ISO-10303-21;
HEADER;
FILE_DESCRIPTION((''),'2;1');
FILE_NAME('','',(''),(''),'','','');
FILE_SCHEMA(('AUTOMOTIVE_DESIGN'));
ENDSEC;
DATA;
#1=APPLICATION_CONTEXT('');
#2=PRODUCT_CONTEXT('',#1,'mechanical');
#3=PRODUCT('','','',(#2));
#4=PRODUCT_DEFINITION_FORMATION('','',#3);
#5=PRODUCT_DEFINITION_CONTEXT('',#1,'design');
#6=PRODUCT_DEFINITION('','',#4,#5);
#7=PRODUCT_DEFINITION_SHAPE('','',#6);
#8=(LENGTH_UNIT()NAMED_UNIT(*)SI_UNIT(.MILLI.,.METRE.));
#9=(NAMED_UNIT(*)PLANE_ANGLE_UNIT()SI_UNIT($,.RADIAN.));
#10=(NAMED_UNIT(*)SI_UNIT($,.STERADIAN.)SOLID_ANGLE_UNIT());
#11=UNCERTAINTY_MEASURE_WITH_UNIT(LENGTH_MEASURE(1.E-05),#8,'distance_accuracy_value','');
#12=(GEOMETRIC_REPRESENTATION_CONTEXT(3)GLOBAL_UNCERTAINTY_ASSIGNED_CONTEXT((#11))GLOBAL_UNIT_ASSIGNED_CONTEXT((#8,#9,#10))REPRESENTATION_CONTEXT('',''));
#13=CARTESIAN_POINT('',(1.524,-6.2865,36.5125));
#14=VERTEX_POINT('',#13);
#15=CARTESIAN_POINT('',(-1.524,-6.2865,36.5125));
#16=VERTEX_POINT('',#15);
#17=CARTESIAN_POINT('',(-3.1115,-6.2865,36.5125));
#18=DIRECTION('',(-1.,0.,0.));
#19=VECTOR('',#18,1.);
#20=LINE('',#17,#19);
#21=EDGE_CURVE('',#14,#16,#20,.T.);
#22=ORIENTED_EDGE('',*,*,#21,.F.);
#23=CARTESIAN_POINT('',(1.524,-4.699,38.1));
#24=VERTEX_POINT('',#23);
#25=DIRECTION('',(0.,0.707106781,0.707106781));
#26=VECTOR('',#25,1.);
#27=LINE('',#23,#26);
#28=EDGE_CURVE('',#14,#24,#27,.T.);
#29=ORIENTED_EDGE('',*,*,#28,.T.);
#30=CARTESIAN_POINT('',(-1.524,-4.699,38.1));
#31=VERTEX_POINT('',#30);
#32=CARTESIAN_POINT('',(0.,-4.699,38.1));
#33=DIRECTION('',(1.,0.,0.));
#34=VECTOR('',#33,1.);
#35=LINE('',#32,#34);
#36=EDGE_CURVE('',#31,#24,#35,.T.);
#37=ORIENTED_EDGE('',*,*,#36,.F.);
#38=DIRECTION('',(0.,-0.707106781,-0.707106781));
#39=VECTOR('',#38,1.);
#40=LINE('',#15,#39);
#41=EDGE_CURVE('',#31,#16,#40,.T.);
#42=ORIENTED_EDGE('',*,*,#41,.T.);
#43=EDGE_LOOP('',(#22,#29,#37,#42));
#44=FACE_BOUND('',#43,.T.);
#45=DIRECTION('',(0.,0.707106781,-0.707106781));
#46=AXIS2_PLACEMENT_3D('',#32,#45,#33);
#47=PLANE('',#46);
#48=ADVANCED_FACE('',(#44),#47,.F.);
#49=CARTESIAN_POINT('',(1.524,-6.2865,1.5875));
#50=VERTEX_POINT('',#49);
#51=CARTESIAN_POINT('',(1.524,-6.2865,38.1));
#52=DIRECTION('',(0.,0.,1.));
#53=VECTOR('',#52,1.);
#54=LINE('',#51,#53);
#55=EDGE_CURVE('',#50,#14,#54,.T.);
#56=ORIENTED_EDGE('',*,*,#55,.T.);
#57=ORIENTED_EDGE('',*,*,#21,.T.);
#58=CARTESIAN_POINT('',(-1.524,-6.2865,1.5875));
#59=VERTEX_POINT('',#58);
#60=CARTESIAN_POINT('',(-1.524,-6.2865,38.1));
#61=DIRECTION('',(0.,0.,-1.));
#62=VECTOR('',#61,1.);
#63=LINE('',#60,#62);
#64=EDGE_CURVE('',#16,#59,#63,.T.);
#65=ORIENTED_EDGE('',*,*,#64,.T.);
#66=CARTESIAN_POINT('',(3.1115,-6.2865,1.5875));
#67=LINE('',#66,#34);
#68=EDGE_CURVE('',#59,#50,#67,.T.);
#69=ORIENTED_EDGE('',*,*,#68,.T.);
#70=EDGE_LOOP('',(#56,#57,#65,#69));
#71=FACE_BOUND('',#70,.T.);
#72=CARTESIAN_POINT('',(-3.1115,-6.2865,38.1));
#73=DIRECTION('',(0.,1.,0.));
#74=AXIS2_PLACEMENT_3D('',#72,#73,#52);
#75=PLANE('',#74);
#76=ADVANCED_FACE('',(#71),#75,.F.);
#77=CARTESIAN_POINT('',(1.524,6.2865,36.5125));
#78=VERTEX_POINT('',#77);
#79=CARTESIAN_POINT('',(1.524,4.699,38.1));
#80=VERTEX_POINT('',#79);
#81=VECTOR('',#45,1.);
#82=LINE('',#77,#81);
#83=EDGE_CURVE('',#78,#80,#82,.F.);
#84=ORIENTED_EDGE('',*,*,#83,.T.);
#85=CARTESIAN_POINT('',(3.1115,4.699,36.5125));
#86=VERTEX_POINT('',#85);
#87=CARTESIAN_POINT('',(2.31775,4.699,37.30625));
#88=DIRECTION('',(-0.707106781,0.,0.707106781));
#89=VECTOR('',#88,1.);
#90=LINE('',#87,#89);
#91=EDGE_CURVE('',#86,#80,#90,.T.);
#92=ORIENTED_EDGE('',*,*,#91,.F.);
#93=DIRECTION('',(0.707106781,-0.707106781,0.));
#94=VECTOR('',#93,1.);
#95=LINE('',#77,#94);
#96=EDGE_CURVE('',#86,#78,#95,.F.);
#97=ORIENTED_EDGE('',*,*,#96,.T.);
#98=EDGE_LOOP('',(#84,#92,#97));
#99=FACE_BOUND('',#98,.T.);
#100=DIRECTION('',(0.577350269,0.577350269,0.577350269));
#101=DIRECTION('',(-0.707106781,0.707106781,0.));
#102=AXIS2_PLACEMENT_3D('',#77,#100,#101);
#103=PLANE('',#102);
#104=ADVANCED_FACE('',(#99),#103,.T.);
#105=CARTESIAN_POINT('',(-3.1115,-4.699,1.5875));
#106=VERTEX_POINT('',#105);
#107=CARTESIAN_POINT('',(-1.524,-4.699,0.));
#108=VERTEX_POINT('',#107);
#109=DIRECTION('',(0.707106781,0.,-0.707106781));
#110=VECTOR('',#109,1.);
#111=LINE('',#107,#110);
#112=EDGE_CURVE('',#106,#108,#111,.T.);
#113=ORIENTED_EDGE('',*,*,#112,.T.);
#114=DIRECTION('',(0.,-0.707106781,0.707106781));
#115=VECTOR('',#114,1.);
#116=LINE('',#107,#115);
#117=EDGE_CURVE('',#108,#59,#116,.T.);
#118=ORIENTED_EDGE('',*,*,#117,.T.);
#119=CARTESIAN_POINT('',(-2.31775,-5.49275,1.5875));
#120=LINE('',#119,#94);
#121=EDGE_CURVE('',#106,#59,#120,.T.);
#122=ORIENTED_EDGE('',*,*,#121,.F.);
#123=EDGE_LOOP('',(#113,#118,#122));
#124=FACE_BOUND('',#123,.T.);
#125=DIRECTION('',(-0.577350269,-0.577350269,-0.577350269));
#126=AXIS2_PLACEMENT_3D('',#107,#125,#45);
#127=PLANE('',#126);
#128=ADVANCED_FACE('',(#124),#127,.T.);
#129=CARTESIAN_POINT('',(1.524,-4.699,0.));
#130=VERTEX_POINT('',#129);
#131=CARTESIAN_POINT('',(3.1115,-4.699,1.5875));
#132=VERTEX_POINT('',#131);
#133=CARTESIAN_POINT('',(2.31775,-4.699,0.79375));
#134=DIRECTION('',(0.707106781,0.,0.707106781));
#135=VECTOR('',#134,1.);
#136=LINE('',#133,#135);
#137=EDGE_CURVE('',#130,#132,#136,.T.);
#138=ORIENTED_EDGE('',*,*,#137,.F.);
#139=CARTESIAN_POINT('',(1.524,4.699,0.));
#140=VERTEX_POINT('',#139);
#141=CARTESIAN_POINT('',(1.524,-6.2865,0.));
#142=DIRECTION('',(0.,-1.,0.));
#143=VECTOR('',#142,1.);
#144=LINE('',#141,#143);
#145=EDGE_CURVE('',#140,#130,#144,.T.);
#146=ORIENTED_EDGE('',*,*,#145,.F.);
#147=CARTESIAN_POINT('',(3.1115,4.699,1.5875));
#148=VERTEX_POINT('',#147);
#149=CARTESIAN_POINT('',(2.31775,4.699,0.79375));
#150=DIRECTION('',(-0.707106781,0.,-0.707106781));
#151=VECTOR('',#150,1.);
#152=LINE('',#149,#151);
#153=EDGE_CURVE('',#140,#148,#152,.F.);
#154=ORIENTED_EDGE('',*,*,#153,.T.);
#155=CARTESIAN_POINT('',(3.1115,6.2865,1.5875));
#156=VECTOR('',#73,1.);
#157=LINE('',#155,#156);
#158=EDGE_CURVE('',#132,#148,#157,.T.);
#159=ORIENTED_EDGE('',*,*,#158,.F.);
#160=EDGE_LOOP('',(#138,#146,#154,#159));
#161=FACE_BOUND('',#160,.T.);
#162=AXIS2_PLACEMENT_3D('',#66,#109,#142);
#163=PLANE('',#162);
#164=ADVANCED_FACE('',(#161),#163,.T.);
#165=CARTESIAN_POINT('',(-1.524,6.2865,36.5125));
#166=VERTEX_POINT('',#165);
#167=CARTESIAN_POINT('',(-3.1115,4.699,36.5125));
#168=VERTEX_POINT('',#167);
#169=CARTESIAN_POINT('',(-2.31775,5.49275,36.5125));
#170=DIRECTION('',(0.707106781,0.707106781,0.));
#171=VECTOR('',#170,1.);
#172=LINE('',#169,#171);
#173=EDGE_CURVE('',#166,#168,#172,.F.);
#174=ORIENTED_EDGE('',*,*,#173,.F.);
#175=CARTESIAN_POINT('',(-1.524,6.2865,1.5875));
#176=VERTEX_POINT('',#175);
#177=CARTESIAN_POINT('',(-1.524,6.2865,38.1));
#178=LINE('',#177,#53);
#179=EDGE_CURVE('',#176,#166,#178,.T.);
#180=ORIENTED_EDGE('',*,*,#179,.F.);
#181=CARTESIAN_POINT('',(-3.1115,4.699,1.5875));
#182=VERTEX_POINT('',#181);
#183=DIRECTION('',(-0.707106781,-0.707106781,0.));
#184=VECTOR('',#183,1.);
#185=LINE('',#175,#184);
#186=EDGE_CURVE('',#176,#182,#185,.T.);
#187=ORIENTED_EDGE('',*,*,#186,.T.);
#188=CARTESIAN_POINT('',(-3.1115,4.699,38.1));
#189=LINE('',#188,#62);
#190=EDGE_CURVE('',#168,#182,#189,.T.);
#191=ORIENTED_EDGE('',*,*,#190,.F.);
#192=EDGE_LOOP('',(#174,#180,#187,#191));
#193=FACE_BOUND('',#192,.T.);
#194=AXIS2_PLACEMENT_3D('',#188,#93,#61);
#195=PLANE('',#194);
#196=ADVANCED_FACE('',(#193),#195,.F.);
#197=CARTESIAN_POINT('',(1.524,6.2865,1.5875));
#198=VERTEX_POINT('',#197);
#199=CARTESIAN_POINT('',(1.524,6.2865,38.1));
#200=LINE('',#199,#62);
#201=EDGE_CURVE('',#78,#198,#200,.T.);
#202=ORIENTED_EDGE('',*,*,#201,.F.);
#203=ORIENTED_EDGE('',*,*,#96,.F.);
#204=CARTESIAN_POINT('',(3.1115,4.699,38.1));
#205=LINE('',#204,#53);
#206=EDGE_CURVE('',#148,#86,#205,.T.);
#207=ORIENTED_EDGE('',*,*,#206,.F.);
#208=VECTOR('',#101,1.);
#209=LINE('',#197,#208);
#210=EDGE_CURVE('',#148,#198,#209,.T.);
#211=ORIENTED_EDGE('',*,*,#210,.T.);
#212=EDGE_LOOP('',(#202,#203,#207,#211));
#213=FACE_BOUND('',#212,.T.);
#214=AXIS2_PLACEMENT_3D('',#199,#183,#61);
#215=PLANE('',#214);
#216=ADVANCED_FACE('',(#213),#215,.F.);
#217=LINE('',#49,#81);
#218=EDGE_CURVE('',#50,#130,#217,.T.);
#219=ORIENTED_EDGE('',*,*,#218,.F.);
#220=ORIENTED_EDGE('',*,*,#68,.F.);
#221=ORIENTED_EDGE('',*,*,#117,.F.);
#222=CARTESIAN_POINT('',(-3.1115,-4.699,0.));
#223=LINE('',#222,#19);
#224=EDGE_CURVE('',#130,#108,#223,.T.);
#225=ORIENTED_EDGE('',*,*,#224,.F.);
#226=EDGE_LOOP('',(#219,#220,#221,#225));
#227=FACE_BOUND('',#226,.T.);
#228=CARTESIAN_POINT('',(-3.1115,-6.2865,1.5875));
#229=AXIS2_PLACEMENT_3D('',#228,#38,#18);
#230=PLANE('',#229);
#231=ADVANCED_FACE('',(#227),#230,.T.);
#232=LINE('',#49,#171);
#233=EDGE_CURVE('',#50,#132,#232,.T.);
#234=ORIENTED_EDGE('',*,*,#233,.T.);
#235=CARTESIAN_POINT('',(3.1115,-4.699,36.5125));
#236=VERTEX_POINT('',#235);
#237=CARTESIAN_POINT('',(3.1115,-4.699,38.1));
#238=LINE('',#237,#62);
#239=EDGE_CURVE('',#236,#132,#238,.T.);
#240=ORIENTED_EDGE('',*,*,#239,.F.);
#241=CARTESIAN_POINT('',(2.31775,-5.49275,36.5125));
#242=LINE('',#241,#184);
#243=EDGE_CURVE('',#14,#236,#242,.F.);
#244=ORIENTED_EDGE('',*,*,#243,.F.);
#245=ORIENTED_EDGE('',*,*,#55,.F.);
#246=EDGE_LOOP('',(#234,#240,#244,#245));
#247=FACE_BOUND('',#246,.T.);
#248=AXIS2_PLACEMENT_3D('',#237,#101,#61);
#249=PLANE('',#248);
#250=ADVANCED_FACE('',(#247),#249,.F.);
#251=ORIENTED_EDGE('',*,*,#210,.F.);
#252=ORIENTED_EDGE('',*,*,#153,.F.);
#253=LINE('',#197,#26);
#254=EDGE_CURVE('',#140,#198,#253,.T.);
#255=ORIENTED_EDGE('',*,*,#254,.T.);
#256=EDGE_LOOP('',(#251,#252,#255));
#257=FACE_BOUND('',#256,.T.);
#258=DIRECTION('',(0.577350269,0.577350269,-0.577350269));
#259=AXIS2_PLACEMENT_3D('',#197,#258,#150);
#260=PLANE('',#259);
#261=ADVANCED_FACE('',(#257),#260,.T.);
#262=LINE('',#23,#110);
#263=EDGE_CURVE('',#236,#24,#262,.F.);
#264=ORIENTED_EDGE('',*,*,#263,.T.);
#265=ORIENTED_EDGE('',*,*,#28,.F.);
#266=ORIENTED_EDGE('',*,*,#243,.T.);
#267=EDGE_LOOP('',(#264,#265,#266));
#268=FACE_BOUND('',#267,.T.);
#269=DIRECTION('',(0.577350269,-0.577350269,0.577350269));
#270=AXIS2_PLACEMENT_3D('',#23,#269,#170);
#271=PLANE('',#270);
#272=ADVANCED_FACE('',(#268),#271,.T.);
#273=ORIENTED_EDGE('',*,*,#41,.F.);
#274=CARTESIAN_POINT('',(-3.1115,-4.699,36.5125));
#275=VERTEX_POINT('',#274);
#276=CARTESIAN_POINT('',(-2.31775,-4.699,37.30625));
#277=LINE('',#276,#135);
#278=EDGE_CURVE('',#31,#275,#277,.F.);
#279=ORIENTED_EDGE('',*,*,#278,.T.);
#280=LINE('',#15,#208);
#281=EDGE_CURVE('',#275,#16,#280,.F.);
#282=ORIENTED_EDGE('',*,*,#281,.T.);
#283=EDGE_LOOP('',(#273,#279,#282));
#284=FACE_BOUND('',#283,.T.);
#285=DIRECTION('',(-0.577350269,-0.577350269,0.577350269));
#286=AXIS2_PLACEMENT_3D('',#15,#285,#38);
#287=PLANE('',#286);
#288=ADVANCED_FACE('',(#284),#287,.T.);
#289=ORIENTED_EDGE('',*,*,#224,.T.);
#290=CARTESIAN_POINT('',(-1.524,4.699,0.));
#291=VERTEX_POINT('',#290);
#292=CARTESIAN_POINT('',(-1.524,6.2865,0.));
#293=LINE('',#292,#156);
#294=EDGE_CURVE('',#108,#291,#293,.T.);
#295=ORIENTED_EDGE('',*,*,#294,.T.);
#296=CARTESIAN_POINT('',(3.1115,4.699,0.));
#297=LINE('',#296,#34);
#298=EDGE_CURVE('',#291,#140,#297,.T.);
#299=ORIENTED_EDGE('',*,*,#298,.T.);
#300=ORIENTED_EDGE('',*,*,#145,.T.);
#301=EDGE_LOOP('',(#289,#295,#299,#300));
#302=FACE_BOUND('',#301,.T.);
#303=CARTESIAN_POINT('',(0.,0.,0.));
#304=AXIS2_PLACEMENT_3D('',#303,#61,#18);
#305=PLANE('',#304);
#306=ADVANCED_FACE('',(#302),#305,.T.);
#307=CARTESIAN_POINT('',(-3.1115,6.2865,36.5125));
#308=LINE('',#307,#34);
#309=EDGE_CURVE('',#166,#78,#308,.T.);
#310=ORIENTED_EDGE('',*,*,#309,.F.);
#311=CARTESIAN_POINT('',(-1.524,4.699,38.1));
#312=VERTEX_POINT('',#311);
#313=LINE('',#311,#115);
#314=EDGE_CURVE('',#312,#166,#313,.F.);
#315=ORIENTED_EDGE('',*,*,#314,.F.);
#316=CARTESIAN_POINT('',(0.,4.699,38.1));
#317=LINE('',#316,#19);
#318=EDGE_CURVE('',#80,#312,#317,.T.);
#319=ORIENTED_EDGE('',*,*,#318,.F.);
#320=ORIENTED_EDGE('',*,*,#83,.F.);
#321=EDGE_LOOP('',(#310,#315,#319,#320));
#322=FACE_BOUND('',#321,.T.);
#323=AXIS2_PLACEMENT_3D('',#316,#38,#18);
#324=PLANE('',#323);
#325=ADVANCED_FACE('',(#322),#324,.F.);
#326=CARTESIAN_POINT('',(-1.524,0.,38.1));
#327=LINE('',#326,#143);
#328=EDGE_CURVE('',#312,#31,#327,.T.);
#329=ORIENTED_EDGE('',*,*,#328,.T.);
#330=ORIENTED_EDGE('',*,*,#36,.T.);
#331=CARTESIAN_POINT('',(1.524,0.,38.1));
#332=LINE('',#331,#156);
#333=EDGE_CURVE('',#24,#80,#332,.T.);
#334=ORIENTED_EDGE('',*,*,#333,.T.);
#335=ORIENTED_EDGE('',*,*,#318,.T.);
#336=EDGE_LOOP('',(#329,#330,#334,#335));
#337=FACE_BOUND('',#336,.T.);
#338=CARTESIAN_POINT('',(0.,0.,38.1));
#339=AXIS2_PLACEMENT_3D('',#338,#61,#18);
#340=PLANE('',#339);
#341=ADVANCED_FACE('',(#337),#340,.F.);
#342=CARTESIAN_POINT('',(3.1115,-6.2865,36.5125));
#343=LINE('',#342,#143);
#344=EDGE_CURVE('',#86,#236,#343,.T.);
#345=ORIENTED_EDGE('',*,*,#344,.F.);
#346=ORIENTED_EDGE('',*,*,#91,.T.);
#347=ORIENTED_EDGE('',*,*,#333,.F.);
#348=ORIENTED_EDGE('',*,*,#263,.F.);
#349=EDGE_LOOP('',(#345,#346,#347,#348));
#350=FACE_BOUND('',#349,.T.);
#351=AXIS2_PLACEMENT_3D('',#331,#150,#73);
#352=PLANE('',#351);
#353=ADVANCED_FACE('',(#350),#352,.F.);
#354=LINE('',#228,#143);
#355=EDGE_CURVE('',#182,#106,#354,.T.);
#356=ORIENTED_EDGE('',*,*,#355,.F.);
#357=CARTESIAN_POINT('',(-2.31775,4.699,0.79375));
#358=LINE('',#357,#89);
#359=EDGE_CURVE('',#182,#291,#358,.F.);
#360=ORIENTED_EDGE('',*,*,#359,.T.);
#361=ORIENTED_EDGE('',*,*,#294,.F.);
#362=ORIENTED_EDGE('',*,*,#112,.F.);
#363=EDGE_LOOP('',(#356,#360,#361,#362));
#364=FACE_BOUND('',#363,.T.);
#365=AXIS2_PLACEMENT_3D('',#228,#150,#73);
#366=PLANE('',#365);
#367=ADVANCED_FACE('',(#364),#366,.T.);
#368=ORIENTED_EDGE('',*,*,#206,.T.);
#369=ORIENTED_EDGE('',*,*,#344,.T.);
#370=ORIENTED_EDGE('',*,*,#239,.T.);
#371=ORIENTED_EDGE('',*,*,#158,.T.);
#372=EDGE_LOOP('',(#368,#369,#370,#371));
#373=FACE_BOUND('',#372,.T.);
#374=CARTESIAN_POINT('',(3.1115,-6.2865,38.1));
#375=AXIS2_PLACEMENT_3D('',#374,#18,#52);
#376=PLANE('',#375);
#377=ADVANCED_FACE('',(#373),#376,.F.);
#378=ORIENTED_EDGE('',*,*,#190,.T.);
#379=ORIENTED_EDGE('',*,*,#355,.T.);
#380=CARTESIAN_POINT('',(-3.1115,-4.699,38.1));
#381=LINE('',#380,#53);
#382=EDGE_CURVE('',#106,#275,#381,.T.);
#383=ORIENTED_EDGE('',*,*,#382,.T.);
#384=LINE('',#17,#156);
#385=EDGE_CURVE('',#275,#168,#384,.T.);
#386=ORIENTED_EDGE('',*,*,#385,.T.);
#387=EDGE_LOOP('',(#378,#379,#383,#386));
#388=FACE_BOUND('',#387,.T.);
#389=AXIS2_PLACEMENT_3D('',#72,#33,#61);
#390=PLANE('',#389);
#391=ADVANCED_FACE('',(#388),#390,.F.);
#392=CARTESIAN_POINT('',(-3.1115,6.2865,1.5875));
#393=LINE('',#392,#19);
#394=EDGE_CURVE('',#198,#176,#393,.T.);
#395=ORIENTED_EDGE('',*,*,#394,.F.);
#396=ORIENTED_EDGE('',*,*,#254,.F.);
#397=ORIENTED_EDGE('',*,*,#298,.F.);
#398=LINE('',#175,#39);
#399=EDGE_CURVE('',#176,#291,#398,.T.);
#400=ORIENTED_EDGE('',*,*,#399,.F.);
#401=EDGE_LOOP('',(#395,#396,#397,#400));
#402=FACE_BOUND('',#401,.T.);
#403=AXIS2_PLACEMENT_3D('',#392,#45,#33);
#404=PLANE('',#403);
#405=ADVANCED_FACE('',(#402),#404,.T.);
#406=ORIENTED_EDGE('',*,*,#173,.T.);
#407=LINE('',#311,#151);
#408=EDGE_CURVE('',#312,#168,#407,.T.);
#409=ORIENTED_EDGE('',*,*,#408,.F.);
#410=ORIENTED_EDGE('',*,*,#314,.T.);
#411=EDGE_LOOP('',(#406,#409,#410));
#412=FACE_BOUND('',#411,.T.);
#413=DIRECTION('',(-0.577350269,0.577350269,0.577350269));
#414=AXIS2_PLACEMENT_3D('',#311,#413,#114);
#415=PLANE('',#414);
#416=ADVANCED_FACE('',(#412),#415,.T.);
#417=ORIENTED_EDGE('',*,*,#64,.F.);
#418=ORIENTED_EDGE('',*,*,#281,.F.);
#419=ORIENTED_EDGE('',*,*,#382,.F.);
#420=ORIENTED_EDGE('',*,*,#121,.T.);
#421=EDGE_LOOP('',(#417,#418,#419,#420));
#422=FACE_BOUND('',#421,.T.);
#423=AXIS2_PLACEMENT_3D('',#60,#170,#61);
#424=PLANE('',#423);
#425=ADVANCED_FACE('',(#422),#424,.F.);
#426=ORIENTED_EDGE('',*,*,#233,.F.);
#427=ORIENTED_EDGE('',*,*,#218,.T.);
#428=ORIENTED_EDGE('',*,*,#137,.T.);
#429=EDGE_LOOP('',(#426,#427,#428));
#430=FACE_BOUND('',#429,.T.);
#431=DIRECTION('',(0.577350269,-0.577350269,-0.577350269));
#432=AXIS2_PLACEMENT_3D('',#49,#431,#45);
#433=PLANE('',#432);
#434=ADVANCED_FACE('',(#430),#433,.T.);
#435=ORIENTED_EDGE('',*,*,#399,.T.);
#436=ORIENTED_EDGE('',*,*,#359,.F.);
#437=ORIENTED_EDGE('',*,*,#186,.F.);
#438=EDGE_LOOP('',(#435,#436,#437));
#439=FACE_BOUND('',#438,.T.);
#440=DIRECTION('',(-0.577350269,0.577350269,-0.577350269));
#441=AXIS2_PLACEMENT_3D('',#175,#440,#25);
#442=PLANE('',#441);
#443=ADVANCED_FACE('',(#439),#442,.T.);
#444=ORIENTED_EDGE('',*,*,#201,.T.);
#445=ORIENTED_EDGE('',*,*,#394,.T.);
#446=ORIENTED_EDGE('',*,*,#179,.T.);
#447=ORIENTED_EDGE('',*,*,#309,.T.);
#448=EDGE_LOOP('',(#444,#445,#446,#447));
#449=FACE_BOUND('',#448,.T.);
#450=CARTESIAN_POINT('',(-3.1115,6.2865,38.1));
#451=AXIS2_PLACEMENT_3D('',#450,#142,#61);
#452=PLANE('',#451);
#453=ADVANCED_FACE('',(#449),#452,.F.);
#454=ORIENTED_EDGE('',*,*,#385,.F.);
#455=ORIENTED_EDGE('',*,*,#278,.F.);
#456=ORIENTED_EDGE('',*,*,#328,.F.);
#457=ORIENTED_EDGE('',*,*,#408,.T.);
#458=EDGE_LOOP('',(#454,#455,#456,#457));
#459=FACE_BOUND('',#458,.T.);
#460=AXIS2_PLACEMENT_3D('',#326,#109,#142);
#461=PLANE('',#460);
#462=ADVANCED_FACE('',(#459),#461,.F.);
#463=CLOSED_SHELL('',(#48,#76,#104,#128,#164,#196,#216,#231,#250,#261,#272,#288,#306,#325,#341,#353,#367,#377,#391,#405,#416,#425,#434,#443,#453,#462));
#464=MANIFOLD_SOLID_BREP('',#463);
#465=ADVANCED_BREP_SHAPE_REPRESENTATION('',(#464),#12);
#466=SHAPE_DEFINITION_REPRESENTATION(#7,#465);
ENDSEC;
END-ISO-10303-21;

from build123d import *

# Parameters (mm, degrees)
SKETCH5_W           = 6.223
SKETCH5_H           = 12.573
BOSS_EXTRUDE3_DEPTH = 38.1
CHAMFER1_SIZE       = 1.5875


with BuildPart() as part:
    # Sketch5 → Boss-Extrude3 (new body)
    with BuildSketch(Plane.XY):
        Rectangle(SKETCH5_W, SKETCH5_H)
    extrude(amount=BOSS_EXTRUDE3_DEPTH)

    # Chamfer1
    chamfer1_edges = [part.edges().sort_by_distance(p)[0] for p in [
        (-3.1115, 0, 38.1),
        (0, -6.2865, 38.1),
        (3.1115, 0, 38.1),
        (0, -6.2865, 0),
        (-3.1115, 0, 0),
        (0, 6.2865, 0),
        (3.1115, 0, 0),
        (0, 6.2865, 38.1),
        (3.1115, -6.2865, 19.05),
        (-3.1115, -6.2865, 19.05),
        (-3.1115, 6.2865, 19.05),
        (3.1115, 6.2865, 19.05),
    ]]
    chamfer(chamfer1_edges, length=CHAMFER1_SIZE)


solid = part.part
